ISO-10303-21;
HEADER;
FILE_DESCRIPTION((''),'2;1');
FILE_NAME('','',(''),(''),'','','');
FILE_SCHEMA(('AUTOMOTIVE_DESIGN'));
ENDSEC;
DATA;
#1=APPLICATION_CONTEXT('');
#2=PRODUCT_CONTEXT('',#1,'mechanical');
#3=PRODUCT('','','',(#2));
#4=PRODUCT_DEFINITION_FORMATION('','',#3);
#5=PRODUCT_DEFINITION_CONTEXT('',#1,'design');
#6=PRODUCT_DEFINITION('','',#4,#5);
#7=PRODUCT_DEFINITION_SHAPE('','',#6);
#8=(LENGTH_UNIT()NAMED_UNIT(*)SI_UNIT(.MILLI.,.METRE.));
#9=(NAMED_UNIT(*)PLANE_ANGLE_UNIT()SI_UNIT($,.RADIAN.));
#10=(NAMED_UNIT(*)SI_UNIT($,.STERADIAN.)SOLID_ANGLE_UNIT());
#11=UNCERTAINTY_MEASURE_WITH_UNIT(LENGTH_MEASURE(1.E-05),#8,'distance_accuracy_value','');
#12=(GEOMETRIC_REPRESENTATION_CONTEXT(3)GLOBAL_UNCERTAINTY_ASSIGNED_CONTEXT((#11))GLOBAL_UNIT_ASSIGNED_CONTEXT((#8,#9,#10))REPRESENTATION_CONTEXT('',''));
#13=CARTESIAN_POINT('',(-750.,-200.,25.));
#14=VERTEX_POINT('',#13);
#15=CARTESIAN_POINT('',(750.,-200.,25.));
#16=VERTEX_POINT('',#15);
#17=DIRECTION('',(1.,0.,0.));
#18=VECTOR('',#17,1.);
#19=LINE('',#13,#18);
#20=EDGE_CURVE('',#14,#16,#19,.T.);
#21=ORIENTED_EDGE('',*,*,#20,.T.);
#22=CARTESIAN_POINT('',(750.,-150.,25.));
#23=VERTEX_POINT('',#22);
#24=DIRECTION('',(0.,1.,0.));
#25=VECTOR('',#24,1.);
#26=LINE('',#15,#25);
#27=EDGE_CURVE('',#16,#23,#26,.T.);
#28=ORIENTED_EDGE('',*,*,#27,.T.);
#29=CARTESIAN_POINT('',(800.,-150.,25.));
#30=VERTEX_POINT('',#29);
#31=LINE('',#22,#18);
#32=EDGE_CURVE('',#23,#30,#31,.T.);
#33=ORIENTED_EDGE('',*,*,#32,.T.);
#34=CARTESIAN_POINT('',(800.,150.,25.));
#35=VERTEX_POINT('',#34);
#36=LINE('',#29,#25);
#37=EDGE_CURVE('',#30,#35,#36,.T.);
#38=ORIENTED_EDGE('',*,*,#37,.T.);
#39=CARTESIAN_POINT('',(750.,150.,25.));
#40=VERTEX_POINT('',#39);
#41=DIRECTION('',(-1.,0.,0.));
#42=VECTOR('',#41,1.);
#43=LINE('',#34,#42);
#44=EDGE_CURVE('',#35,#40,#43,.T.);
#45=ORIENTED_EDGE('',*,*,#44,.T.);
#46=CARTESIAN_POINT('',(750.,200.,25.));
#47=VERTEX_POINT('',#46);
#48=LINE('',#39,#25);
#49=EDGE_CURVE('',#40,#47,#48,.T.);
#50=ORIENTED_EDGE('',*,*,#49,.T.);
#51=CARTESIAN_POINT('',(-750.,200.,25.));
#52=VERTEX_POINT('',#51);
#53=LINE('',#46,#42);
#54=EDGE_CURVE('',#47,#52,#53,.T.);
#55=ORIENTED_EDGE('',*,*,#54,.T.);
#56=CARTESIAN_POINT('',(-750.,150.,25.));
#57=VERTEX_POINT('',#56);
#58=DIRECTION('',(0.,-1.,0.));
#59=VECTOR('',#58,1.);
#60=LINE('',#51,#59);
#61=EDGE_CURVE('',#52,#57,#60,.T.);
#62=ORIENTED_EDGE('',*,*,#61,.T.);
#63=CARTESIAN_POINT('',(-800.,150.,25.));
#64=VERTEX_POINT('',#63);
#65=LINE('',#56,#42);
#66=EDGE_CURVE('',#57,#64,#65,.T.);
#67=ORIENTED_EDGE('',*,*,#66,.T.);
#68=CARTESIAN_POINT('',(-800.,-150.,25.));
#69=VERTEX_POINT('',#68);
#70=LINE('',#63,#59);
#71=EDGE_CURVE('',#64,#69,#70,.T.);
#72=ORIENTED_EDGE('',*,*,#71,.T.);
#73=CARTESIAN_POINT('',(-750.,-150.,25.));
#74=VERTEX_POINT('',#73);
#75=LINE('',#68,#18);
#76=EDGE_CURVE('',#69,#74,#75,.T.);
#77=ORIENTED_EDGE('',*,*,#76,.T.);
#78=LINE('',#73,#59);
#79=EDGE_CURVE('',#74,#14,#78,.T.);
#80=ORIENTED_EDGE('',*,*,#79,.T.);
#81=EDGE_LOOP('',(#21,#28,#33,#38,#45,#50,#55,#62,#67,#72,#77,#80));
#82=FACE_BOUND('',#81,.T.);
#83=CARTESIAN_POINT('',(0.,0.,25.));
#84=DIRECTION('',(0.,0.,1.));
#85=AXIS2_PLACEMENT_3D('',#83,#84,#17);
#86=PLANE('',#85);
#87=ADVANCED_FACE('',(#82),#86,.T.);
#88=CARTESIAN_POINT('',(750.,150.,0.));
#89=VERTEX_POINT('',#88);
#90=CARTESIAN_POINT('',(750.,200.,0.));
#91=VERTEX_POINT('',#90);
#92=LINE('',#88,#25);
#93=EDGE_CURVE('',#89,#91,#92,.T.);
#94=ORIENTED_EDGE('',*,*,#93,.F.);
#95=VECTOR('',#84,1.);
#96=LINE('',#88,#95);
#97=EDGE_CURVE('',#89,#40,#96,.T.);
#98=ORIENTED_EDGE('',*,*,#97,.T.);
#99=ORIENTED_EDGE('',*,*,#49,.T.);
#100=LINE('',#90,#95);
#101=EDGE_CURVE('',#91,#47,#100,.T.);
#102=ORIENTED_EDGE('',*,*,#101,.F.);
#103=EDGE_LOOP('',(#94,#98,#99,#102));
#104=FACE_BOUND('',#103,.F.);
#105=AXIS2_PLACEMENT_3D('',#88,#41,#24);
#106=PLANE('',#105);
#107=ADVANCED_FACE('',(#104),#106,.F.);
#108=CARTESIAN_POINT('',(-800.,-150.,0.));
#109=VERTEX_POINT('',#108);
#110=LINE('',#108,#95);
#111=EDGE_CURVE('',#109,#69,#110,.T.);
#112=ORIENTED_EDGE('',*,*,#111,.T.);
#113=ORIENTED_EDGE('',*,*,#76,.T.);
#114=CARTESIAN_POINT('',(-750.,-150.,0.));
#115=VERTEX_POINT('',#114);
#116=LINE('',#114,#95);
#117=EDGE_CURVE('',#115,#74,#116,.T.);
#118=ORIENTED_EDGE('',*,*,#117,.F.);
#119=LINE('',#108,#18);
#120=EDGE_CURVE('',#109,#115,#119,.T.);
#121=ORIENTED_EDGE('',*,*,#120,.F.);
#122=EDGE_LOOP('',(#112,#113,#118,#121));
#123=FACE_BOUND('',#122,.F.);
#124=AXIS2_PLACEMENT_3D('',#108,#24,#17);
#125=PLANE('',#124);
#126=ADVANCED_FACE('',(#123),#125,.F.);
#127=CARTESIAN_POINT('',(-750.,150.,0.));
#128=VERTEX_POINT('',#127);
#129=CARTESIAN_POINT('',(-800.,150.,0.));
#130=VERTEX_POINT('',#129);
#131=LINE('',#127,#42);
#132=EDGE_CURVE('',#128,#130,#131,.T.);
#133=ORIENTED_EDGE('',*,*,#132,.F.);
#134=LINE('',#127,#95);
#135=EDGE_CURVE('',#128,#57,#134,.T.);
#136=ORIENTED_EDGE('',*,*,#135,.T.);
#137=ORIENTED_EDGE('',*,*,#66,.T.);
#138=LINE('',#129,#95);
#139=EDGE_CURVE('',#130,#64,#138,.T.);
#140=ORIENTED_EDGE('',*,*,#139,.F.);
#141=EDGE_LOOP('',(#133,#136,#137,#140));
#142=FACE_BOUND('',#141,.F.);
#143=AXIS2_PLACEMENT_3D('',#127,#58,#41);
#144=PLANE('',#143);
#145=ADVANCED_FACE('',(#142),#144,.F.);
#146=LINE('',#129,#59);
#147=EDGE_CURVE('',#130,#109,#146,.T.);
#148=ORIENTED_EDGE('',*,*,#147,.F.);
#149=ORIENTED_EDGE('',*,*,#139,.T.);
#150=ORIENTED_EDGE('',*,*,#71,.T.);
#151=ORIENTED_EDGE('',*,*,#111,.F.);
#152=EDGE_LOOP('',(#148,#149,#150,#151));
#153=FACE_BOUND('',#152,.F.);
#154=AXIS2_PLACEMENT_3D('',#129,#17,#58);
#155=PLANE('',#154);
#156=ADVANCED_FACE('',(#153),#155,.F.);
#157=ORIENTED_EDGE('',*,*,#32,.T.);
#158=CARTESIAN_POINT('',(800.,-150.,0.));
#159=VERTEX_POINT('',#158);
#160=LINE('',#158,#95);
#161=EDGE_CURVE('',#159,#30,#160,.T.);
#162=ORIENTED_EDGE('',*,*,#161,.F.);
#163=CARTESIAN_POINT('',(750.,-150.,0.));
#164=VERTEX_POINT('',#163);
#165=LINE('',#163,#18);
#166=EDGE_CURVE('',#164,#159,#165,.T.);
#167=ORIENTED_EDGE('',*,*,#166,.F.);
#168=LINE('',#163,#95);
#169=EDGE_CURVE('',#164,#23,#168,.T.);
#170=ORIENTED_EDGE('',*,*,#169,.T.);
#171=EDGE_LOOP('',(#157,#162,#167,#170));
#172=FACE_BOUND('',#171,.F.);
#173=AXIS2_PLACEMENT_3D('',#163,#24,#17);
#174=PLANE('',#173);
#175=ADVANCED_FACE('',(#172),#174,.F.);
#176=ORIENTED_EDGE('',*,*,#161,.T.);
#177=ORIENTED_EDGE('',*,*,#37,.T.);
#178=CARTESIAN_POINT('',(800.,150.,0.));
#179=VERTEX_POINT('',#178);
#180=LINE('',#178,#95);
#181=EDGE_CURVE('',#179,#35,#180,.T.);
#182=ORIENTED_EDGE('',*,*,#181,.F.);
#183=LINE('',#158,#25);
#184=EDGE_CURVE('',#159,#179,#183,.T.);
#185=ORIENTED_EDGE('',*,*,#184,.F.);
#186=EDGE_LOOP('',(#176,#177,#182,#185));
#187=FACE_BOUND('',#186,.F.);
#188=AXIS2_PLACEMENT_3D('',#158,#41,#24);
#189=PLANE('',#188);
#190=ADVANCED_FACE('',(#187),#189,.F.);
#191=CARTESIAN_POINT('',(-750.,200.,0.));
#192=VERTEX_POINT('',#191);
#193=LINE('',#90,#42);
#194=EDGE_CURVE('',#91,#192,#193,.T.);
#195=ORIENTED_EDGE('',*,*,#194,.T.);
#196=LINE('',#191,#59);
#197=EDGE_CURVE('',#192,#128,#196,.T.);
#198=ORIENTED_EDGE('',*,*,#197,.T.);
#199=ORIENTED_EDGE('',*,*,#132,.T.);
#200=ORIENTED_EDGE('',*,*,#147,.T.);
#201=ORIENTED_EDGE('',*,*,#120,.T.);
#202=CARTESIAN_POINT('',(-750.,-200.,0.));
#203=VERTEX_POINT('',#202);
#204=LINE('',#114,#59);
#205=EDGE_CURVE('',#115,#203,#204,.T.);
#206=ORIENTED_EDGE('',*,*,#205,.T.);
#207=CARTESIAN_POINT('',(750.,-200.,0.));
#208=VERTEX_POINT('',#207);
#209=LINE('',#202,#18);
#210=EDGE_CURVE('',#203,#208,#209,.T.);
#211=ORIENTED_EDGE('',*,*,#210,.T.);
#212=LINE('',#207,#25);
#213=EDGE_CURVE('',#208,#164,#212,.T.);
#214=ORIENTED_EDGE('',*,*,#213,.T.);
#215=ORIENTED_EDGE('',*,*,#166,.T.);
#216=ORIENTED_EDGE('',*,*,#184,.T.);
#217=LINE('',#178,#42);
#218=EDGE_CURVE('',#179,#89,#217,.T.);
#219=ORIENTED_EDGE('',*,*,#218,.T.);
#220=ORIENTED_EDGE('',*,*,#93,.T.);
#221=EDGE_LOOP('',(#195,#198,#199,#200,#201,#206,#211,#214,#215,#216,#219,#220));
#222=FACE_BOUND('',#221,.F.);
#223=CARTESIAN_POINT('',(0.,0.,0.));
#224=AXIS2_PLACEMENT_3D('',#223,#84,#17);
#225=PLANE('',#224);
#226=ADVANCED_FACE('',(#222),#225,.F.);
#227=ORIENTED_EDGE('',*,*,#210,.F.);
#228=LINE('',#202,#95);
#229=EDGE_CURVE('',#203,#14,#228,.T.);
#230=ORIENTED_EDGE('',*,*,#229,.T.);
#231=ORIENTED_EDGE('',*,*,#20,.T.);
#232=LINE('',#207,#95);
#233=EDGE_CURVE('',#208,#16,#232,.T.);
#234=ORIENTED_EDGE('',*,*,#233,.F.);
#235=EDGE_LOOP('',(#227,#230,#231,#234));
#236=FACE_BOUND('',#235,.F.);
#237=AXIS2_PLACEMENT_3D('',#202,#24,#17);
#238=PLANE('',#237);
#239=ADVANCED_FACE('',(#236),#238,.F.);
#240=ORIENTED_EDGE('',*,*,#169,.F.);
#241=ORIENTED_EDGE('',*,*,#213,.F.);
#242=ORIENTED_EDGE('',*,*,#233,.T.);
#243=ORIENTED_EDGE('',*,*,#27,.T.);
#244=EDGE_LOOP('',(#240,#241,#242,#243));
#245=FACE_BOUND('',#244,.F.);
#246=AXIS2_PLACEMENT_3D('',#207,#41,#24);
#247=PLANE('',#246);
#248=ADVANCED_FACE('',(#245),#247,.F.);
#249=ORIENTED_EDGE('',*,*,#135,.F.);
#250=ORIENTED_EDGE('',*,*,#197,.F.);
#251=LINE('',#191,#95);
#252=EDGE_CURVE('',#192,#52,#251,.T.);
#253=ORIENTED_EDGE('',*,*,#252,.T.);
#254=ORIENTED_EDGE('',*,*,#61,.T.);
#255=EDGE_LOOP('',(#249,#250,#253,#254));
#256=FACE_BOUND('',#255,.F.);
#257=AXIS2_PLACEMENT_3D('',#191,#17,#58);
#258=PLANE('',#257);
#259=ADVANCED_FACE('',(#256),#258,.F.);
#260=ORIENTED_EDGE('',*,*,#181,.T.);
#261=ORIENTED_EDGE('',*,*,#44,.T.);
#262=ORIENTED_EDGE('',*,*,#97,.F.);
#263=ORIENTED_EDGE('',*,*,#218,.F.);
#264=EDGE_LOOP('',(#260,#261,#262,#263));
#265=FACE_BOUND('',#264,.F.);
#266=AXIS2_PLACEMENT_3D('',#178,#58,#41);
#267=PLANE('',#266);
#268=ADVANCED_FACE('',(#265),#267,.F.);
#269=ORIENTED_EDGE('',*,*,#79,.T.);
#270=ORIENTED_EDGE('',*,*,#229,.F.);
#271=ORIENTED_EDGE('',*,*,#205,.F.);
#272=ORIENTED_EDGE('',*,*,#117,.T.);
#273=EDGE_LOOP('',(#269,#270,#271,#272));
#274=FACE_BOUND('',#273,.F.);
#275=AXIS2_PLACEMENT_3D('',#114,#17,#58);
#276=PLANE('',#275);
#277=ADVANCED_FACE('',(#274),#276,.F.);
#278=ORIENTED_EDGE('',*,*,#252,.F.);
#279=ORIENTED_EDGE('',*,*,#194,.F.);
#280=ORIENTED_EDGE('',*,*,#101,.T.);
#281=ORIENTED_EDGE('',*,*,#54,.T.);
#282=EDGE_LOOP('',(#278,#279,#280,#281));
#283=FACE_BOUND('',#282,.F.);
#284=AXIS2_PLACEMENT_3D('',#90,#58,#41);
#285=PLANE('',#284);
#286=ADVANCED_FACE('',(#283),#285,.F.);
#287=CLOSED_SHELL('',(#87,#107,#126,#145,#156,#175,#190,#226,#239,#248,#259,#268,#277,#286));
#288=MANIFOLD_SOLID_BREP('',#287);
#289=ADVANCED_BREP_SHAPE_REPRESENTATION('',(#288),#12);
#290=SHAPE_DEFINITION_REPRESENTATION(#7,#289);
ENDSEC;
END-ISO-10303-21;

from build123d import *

# Parameters (mm, degrees)
F1_DEPTH = 25


with BuildPart() as f1:
    # F0 (on Top) → F1 (new body)
    with BuildSketch(Plane.XY):
        Polygon((-800, 150), (-800, 0), (-800, -150), (-750, -150), (-750, -200), (0, -200), (750, -200), (750, -150), (800, -150), (800, 0), (800, 150), (750, 150), (750, 200), (0, 200), (-750, 200), (-750, 150), align=None)
    extrude(amount=F1_DEPTH)


solid = f1.part
